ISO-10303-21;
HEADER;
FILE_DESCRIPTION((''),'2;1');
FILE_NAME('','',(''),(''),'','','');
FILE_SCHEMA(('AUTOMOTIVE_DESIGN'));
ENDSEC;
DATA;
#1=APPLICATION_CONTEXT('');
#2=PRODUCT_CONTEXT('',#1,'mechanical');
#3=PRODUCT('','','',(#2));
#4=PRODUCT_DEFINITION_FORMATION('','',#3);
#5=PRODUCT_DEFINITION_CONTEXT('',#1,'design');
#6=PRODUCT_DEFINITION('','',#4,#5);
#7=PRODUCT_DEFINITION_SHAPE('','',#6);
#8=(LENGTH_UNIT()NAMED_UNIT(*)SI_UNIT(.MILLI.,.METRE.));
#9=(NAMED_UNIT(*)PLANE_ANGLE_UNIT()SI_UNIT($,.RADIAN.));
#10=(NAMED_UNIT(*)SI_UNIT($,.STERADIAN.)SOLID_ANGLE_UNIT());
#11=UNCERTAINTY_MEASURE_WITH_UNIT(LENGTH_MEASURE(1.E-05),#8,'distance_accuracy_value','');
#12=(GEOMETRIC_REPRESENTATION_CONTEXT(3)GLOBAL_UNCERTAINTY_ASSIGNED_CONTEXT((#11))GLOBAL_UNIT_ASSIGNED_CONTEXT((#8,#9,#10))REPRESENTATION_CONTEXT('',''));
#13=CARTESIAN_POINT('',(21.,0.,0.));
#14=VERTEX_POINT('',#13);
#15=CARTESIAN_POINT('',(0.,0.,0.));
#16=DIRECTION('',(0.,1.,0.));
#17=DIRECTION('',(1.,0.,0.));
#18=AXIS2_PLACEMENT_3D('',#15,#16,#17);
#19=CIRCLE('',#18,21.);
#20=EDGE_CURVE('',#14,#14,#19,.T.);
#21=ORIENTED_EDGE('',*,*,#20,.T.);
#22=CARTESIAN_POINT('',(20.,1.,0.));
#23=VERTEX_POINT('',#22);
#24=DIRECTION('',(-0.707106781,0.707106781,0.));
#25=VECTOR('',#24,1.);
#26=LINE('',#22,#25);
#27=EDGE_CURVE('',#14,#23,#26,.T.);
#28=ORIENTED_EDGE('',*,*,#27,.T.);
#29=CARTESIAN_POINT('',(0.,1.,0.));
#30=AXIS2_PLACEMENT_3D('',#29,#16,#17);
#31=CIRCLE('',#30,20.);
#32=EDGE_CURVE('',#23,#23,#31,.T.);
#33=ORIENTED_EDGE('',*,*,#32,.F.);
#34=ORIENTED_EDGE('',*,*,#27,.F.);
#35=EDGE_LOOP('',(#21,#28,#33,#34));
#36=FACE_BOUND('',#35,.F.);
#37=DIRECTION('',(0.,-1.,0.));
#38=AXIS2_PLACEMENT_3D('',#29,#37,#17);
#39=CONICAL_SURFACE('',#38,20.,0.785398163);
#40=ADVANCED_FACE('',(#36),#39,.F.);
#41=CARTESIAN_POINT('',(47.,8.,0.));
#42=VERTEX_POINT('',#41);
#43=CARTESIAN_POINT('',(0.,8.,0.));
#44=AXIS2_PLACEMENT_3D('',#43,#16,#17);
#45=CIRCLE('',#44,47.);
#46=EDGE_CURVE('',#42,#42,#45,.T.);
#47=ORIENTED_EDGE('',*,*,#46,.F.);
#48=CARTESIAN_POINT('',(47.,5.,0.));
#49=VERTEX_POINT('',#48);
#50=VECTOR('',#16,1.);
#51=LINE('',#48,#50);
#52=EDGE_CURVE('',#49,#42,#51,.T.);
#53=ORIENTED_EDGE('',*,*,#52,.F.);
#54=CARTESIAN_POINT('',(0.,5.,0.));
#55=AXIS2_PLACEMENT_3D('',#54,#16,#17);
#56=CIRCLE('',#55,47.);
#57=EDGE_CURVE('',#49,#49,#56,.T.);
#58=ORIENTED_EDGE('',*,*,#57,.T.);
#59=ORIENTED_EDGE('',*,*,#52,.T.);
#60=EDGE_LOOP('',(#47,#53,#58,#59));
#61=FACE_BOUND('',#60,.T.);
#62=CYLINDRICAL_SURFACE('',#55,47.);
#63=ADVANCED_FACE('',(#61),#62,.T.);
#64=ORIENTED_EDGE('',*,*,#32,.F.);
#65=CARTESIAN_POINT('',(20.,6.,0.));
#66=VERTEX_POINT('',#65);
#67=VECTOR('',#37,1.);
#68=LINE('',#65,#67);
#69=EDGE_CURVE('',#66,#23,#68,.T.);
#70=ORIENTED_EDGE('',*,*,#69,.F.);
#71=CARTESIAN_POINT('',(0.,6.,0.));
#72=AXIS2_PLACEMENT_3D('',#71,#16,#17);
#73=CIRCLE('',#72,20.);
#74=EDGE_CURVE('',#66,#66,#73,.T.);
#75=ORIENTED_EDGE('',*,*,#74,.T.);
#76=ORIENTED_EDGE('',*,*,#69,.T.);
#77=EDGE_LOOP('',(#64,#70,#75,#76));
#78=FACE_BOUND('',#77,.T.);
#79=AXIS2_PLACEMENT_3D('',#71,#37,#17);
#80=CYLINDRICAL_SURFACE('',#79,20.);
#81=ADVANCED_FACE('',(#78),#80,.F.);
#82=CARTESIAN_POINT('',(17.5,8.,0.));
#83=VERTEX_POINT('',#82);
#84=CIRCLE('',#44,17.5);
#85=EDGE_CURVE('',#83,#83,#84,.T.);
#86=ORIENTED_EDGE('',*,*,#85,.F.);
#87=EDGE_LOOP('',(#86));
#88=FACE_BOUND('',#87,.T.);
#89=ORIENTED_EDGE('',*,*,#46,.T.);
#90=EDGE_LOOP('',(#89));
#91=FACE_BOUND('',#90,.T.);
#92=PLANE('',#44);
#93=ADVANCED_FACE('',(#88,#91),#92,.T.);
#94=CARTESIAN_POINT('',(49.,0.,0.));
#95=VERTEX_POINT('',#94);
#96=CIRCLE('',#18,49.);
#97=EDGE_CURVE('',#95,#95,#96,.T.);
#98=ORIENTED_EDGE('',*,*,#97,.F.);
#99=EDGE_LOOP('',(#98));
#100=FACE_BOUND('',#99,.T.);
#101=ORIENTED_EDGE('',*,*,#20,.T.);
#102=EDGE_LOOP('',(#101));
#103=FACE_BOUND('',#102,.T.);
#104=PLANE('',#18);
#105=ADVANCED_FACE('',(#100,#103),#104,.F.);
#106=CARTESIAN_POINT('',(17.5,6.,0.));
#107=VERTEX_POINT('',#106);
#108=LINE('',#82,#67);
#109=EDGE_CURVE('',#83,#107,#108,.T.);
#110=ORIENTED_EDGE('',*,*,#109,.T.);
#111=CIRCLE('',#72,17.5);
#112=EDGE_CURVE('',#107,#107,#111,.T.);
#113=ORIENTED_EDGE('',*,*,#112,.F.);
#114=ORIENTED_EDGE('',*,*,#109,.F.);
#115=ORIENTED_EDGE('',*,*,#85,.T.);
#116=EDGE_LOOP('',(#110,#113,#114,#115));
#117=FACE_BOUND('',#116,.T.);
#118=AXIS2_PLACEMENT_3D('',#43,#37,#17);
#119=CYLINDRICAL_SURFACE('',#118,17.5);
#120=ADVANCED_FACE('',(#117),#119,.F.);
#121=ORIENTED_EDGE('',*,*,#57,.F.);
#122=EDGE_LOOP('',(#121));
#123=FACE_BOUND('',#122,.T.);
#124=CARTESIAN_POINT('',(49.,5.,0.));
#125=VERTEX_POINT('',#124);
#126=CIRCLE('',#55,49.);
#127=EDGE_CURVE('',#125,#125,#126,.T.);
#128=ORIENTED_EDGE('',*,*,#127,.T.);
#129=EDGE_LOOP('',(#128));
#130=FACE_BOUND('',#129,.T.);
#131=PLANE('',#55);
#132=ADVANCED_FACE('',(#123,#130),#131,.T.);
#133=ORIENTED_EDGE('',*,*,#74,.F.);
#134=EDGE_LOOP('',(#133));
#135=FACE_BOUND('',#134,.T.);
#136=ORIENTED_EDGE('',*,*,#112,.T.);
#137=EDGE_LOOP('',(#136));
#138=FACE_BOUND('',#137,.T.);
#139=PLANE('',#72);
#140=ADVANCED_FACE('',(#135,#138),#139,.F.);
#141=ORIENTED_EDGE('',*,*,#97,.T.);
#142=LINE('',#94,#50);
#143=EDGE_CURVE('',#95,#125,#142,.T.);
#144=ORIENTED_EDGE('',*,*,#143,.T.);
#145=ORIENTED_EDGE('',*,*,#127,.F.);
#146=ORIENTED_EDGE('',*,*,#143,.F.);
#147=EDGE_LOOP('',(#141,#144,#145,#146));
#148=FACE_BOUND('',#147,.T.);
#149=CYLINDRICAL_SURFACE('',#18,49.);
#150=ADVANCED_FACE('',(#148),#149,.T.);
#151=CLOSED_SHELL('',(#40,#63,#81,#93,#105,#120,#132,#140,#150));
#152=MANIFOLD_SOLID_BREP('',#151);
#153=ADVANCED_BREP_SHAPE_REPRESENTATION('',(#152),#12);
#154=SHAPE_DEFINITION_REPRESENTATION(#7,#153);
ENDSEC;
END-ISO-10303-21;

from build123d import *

# Parameters (mm, degrees)
F2_SIZE = 1


with BuildPart() as f1:
    # F0 (on Top) → F1 (revolve)
    with BuildSketch(Plane.XY):
        Polygon((20, 0), (49, 0), (49, 5), (47, 5), (47, 8), (17.5, 8), (17.5, 6), (20, 6), align=None)
    revolve(axis=Axis((0, 170.113654, 0), (0, 1, 0)))

    # F2
    f2_edges = [f1.edges().sort_by_distance(p)[0] for p in [
        (-20, 0, 0),
    ]]
    chamfer(f2_edges, length=F2_SIZE)


solid = f1.part
